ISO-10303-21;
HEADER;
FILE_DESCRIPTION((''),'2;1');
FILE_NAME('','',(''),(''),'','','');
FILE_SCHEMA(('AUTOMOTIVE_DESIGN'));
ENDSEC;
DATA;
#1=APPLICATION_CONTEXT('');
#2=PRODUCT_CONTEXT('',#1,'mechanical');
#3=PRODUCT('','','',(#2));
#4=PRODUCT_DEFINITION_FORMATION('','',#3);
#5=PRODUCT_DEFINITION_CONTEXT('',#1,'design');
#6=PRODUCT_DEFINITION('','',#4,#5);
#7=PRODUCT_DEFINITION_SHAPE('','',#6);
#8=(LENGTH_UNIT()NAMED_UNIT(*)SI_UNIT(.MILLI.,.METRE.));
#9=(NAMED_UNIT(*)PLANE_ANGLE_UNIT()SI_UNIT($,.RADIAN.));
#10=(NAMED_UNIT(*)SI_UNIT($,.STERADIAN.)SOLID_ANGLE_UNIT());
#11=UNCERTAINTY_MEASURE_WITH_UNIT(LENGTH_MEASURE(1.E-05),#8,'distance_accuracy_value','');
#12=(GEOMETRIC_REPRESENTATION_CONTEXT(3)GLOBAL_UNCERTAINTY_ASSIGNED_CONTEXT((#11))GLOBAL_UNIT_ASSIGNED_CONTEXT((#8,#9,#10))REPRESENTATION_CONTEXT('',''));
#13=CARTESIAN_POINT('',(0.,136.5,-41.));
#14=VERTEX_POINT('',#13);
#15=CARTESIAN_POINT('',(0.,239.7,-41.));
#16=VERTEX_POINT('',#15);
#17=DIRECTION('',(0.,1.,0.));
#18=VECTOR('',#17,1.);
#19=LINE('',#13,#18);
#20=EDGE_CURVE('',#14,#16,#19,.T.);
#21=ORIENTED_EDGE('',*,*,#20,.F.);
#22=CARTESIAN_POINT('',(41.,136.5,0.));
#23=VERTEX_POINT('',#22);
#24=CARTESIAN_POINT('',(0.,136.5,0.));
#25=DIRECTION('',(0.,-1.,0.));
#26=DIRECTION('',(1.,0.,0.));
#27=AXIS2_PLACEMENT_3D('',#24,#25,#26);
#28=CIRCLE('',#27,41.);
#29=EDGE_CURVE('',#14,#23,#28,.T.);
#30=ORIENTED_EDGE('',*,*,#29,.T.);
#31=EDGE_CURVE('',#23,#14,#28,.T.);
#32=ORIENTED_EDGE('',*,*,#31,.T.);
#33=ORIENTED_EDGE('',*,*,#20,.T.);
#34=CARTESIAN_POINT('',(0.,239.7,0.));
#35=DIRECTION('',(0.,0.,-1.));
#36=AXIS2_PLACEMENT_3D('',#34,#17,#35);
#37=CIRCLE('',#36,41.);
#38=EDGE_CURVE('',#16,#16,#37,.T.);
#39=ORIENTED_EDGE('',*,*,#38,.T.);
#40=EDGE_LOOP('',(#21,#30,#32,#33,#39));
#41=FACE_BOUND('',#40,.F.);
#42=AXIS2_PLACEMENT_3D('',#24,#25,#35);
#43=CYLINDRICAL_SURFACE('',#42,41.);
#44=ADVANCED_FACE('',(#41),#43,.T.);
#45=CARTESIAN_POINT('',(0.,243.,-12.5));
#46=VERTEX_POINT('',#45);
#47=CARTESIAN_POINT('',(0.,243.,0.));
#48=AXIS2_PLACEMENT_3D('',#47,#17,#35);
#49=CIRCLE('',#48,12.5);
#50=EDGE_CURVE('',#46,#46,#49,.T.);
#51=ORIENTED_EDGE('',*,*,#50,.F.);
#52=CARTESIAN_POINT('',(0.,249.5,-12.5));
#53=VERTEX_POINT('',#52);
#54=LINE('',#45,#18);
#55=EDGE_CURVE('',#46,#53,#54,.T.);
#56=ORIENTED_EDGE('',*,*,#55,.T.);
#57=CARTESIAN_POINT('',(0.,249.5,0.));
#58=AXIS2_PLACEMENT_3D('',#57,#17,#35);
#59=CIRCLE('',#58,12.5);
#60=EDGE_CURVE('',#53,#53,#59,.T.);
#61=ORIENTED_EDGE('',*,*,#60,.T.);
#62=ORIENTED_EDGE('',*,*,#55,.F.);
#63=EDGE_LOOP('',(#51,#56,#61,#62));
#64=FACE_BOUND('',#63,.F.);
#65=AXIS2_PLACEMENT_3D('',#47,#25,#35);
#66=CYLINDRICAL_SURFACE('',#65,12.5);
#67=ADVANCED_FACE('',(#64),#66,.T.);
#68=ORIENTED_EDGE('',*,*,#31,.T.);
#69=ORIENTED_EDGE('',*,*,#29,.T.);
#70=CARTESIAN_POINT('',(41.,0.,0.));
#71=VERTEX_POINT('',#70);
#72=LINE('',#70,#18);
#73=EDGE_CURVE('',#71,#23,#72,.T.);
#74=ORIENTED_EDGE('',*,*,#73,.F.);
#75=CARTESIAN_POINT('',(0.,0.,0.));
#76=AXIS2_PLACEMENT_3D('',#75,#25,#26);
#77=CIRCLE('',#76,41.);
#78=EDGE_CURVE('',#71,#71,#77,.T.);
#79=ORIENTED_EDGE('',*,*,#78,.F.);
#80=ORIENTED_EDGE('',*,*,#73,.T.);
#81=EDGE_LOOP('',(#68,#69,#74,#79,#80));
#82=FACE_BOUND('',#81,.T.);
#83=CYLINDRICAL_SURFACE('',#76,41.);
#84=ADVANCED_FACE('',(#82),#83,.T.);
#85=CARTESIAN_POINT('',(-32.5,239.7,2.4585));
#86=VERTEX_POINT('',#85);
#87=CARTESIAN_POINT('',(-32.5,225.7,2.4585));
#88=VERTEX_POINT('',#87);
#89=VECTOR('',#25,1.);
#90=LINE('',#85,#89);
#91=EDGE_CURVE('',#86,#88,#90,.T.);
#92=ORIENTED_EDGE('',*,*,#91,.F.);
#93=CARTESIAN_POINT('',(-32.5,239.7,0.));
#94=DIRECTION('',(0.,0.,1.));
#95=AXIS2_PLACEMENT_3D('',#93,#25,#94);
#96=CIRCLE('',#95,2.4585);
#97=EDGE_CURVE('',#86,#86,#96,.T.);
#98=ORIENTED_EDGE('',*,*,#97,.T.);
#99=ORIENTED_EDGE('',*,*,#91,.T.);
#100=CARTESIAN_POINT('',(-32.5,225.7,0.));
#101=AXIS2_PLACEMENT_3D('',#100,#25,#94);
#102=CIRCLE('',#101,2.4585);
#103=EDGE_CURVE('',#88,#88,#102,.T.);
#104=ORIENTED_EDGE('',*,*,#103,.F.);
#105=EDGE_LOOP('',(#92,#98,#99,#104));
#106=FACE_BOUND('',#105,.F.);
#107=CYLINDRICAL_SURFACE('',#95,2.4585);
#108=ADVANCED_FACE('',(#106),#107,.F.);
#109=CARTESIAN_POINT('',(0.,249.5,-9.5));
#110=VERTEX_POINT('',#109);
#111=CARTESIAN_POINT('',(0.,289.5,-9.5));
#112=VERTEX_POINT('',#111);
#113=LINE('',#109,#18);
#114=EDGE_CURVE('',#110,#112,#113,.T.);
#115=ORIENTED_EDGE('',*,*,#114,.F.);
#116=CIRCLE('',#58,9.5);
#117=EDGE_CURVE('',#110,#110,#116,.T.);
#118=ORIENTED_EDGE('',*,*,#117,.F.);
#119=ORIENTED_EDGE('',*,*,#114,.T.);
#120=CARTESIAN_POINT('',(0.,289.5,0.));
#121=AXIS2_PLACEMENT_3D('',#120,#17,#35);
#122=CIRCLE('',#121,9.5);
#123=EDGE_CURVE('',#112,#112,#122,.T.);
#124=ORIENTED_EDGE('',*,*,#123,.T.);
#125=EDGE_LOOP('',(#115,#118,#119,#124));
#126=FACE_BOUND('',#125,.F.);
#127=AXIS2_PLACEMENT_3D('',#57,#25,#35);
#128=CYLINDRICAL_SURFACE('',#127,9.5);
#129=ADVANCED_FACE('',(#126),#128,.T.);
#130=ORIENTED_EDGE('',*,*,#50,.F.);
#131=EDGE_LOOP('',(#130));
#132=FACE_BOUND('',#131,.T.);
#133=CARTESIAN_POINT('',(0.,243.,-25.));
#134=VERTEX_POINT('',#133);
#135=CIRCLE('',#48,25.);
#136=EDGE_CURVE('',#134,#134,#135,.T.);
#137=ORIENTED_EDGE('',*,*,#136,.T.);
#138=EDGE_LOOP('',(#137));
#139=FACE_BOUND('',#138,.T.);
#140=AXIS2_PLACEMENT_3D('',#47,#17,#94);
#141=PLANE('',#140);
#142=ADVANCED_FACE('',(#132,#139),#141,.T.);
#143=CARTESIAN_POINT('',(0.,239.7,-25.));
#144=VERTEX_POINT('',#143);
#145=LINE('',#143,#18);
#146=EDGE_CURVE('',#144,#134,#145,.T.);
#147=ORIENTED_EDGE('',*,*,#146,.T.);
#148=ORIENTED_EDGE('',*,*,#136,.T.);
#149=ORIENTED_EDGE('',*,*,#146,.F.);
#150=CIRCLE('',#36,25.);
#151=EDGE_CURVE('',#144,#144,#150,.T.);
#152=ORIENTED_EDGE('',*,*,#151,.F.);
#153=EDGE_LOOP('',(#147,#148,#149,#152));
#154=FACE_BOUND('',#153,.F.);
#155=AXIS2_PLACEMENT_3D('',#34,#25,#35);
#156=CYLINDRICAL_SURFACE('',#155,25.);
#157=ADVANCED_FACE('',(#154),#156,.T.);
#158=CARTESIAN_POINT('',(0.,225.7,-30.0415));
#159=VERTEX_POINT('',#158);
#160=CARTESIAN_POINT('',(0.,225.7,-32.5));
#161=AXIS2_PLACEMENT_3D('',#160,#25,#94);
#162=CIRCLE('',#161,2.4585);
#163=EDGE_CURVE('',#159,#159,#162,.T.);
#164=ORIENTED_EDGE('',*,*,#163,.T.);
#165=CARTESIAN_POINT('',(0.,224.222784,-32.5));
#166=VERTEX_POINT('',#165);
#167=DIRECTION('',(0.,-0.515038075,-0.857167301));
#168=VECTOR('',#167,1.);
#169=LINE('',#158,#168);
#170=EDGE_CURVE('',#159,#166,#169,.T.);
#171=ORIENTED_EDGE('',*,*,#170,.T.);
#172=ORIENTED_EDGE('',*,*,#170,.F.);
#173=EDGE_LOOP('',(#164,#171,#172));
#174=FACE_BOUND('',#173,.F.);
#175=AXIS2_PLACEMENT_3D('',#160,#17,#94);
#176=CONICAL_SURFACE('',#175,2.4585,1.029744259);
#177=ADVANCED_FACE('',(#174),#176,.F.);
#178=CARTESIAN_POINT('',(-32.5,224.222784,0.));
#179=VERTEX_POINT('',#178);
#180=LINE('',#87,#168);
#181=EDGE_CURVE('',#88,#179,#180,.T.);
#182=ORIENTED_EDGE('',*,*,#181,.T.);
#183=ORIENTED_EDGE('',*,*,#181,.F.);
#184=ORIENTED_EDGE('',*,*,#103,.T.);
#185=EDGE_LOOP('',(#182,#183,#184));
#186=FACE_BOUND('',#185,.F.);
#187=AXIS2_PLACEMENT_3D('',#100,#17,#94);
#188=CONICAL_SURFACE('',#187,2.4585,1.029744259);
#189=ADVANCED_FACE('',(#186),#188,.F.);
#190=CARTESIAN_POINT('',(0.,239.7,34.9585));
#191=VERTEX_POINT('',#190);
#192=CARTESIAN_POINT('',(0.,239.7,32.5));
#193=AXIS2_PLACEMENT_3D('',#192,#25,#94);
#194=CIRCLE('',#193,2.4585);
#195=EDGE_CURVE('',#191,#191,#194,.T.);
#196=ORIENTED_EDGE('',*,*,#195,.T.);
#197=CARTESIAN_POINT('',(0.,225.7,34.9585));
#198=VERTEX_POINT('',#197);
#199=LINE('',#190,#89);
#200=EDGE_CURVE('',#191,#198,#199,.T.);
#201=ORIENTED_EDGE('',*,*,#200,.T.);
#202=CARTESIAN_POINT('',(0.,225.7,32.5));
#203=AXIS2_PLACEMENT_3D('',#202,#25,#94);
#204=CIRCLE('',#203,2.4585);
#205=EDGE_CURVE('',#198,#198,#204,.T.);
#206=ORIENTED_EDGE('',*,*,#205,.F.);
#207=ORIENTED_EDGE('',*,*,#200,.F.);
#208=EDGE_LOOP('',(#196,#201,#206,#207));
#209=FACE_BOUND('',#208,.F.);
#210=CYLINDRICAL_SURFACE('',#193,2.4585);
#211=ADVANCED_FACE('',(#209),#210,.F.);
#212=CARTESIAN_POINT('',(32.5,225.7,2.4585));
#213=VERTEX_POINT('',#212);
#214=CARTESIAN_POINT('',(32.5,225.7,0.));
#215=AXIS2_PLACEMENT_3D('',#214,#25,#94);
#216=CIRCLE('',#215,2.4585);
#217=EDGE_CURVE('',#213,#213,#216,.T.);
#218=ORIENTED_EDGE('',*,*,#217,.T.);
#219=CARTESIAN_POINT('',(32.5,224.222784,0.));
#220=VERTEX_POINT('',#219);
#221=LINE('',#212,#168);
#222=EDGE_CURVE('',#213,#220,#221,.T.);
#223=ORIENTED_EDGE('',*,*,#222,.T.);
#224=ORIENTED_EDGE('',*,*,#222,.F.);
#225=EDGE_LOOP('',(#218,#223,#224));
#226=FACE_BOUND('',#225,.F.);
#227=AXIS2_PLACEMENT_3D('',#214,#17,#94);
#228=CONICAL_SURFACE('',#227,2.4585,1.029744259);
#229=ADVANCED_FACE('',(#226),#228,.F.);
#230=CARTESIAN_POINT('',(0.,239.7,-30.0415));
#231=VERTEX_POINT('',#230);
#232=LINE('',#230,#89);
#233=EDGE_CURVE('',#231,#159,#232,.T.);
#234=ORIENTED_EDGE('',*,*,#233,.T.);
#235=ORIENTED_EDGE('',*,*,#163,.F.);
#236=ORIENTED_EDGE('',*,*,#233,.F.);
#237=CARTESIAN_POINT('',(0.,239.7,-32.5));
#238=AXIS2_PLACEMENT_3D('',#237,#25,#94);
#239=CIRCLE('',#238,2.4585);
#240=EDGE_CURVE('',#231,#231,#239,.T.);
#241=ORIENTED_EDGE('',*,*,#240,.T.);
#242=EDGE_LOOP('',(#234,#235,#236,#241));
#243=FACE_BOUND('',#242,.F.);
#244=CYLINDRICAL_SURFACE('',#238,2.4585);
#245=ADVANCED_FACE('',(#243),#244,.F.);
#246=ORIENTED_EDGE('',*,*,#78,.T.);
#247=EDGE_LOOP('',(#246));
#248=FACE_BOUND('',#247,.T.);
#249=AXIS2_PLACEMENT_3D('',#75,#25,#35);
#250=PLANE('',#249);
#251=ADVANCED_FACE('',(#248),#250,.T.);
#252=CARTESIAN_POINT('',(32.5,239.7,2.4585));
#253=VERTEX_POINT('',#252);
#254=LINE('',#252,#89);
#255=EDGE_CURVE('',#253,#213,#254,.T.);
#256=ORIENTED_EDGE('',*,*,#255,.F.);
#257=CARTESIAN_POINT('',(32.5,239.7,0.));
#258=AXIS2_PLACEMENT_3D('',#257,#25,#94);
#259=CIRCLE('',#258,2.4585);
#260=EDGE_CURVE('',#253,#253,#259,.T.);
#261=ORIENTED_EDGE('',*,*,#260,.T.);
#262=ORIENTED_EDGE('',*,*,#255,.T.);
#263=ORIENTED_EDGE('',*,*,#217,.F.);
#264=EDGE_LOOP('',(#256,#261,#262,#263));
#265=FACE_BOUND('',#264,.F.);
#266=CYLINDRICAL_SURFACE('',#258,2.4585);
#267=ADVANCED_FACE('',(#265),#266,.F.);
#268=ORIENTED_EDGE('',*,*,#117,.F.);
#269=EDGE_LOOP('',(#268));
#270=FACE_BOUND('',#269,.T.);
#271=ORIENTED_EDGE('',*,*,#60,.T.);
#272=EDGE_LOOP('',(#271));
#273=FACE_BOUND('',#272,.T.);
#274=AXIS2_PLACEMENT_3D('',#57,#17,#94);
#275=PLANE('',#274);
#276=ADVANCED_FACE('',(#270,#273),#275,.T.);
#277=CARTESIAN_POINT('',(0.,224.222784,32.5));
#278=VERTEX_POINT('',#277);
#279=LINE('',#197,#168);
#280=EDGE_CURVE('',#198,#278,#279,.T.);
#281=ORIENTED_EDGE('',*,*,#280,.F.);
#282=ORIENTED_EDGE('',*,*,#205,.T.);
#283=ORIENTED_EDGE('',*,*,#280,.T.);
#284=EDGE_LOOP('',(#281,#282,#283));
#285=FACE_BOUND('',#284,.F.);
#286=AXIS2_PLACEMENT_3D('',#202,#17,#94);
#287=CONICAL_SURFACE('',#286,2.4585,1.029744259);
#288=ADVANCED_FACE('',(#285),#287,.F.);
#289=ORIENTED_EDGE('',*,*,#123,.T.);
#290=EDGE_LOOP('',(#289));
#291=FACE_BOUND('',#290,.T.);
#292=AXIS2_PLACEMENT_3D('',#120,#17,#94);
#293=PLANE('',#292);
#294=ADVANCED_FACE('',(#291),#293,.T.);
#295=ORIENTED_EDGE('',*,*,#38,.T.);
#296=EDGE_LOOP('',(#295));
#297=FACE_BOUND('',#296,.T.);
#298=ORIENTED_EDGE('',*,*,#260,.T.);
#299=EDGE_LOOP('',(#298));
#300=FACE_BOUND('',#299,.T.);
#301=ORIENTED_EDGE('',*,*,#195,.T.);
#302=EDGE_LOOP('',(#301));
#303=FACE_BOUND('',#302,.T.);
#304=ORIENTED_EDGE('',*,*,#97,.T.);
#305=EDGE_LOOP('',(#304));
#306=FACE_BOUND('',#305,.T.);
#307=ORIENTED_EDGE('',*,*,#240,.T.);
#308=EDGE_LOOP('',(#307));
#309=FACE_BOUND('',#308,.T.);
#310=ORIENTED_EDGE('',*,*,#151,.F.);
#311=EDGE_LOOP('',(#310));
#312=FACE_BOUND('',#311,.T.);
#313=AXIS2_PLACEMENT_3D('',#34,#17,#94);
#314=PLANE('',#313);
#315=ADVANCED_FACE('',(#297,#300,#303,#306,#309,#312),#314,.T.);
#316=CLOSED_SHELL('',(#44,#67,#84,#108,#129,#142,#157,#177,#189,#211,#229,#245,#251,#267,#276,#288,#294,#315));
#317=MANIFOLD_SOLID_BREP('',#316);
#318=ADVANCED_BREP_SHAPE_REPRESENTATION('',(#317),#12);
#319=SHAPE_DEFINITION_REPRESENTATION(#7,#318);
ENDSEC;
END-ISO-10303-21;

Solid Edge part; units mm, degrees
sketch "Sketch1" plane through (0, 0, 0) normal (0, -1, 0) x (1, 0, 0)
  circle A0 centre (0, 0) radius 41
extrude "Protrusion1" add sketch "Sketch1" against normal blind 136.5
sketch "Sketch2" plane through (0, 136.5, 0) normal (0, 1, 0) x (0, 0, -1)
  circle A0 centre (0, 0) radius 41
extrude "Stufenzahl_3" add sketch "Sketch2" along normal blind 103.2
sketch "Sketch3" plane through (0, 239.7, 0) normal (0, 1, 0) x (0, 0, -1)
  circle A0 centre (0, 0) radius 25
extrude "Extrusionsausprägung_3" add sketch "Sketch3" along normal blind 3.3
sketch "Sketch4" plane through (0, 243, 0) normal (0, 1, 0) x (0, 0, -1)
  circle A0 centre (0, 0) radius 12.5
extrude "Extrusionsausprägung_4" add sketch "Sketch4" along normal blind 6.5
sketch "Sketch5" plane through (0, 249.5, 0) normal (0, 1, 0) x (0, 0, -1)
  circle A0 centre (0, 0) radius 9.5
extrude "Extrusionsausprägung_5" add sketch "Sketch5" along normal blind 40
hole "Bohrung_1" at (0, 239.7, -32.5) direction (0, -1, 0) diameter 4.917 depth 14 tip angle 118 thread major 6 thread length 10
hole "Hole1" at (-32.5, 239.7, 0) direction (0, -1, 0) diameter 4.917 depth 14 tip angle 118 thread major 6 thread length 10
hole "Hole2" at (0, 239.7, 32.5) direction (0, -1, 0) diameter 4.917 depth 14 tip angle 118 thread major 6 thread length 10
hole "Hole3" at (32.5, 239.7, 0) direction (0, -1, 0) diameter 4.917 depth 14 tip angle 118 thread major 6 thread length 10
